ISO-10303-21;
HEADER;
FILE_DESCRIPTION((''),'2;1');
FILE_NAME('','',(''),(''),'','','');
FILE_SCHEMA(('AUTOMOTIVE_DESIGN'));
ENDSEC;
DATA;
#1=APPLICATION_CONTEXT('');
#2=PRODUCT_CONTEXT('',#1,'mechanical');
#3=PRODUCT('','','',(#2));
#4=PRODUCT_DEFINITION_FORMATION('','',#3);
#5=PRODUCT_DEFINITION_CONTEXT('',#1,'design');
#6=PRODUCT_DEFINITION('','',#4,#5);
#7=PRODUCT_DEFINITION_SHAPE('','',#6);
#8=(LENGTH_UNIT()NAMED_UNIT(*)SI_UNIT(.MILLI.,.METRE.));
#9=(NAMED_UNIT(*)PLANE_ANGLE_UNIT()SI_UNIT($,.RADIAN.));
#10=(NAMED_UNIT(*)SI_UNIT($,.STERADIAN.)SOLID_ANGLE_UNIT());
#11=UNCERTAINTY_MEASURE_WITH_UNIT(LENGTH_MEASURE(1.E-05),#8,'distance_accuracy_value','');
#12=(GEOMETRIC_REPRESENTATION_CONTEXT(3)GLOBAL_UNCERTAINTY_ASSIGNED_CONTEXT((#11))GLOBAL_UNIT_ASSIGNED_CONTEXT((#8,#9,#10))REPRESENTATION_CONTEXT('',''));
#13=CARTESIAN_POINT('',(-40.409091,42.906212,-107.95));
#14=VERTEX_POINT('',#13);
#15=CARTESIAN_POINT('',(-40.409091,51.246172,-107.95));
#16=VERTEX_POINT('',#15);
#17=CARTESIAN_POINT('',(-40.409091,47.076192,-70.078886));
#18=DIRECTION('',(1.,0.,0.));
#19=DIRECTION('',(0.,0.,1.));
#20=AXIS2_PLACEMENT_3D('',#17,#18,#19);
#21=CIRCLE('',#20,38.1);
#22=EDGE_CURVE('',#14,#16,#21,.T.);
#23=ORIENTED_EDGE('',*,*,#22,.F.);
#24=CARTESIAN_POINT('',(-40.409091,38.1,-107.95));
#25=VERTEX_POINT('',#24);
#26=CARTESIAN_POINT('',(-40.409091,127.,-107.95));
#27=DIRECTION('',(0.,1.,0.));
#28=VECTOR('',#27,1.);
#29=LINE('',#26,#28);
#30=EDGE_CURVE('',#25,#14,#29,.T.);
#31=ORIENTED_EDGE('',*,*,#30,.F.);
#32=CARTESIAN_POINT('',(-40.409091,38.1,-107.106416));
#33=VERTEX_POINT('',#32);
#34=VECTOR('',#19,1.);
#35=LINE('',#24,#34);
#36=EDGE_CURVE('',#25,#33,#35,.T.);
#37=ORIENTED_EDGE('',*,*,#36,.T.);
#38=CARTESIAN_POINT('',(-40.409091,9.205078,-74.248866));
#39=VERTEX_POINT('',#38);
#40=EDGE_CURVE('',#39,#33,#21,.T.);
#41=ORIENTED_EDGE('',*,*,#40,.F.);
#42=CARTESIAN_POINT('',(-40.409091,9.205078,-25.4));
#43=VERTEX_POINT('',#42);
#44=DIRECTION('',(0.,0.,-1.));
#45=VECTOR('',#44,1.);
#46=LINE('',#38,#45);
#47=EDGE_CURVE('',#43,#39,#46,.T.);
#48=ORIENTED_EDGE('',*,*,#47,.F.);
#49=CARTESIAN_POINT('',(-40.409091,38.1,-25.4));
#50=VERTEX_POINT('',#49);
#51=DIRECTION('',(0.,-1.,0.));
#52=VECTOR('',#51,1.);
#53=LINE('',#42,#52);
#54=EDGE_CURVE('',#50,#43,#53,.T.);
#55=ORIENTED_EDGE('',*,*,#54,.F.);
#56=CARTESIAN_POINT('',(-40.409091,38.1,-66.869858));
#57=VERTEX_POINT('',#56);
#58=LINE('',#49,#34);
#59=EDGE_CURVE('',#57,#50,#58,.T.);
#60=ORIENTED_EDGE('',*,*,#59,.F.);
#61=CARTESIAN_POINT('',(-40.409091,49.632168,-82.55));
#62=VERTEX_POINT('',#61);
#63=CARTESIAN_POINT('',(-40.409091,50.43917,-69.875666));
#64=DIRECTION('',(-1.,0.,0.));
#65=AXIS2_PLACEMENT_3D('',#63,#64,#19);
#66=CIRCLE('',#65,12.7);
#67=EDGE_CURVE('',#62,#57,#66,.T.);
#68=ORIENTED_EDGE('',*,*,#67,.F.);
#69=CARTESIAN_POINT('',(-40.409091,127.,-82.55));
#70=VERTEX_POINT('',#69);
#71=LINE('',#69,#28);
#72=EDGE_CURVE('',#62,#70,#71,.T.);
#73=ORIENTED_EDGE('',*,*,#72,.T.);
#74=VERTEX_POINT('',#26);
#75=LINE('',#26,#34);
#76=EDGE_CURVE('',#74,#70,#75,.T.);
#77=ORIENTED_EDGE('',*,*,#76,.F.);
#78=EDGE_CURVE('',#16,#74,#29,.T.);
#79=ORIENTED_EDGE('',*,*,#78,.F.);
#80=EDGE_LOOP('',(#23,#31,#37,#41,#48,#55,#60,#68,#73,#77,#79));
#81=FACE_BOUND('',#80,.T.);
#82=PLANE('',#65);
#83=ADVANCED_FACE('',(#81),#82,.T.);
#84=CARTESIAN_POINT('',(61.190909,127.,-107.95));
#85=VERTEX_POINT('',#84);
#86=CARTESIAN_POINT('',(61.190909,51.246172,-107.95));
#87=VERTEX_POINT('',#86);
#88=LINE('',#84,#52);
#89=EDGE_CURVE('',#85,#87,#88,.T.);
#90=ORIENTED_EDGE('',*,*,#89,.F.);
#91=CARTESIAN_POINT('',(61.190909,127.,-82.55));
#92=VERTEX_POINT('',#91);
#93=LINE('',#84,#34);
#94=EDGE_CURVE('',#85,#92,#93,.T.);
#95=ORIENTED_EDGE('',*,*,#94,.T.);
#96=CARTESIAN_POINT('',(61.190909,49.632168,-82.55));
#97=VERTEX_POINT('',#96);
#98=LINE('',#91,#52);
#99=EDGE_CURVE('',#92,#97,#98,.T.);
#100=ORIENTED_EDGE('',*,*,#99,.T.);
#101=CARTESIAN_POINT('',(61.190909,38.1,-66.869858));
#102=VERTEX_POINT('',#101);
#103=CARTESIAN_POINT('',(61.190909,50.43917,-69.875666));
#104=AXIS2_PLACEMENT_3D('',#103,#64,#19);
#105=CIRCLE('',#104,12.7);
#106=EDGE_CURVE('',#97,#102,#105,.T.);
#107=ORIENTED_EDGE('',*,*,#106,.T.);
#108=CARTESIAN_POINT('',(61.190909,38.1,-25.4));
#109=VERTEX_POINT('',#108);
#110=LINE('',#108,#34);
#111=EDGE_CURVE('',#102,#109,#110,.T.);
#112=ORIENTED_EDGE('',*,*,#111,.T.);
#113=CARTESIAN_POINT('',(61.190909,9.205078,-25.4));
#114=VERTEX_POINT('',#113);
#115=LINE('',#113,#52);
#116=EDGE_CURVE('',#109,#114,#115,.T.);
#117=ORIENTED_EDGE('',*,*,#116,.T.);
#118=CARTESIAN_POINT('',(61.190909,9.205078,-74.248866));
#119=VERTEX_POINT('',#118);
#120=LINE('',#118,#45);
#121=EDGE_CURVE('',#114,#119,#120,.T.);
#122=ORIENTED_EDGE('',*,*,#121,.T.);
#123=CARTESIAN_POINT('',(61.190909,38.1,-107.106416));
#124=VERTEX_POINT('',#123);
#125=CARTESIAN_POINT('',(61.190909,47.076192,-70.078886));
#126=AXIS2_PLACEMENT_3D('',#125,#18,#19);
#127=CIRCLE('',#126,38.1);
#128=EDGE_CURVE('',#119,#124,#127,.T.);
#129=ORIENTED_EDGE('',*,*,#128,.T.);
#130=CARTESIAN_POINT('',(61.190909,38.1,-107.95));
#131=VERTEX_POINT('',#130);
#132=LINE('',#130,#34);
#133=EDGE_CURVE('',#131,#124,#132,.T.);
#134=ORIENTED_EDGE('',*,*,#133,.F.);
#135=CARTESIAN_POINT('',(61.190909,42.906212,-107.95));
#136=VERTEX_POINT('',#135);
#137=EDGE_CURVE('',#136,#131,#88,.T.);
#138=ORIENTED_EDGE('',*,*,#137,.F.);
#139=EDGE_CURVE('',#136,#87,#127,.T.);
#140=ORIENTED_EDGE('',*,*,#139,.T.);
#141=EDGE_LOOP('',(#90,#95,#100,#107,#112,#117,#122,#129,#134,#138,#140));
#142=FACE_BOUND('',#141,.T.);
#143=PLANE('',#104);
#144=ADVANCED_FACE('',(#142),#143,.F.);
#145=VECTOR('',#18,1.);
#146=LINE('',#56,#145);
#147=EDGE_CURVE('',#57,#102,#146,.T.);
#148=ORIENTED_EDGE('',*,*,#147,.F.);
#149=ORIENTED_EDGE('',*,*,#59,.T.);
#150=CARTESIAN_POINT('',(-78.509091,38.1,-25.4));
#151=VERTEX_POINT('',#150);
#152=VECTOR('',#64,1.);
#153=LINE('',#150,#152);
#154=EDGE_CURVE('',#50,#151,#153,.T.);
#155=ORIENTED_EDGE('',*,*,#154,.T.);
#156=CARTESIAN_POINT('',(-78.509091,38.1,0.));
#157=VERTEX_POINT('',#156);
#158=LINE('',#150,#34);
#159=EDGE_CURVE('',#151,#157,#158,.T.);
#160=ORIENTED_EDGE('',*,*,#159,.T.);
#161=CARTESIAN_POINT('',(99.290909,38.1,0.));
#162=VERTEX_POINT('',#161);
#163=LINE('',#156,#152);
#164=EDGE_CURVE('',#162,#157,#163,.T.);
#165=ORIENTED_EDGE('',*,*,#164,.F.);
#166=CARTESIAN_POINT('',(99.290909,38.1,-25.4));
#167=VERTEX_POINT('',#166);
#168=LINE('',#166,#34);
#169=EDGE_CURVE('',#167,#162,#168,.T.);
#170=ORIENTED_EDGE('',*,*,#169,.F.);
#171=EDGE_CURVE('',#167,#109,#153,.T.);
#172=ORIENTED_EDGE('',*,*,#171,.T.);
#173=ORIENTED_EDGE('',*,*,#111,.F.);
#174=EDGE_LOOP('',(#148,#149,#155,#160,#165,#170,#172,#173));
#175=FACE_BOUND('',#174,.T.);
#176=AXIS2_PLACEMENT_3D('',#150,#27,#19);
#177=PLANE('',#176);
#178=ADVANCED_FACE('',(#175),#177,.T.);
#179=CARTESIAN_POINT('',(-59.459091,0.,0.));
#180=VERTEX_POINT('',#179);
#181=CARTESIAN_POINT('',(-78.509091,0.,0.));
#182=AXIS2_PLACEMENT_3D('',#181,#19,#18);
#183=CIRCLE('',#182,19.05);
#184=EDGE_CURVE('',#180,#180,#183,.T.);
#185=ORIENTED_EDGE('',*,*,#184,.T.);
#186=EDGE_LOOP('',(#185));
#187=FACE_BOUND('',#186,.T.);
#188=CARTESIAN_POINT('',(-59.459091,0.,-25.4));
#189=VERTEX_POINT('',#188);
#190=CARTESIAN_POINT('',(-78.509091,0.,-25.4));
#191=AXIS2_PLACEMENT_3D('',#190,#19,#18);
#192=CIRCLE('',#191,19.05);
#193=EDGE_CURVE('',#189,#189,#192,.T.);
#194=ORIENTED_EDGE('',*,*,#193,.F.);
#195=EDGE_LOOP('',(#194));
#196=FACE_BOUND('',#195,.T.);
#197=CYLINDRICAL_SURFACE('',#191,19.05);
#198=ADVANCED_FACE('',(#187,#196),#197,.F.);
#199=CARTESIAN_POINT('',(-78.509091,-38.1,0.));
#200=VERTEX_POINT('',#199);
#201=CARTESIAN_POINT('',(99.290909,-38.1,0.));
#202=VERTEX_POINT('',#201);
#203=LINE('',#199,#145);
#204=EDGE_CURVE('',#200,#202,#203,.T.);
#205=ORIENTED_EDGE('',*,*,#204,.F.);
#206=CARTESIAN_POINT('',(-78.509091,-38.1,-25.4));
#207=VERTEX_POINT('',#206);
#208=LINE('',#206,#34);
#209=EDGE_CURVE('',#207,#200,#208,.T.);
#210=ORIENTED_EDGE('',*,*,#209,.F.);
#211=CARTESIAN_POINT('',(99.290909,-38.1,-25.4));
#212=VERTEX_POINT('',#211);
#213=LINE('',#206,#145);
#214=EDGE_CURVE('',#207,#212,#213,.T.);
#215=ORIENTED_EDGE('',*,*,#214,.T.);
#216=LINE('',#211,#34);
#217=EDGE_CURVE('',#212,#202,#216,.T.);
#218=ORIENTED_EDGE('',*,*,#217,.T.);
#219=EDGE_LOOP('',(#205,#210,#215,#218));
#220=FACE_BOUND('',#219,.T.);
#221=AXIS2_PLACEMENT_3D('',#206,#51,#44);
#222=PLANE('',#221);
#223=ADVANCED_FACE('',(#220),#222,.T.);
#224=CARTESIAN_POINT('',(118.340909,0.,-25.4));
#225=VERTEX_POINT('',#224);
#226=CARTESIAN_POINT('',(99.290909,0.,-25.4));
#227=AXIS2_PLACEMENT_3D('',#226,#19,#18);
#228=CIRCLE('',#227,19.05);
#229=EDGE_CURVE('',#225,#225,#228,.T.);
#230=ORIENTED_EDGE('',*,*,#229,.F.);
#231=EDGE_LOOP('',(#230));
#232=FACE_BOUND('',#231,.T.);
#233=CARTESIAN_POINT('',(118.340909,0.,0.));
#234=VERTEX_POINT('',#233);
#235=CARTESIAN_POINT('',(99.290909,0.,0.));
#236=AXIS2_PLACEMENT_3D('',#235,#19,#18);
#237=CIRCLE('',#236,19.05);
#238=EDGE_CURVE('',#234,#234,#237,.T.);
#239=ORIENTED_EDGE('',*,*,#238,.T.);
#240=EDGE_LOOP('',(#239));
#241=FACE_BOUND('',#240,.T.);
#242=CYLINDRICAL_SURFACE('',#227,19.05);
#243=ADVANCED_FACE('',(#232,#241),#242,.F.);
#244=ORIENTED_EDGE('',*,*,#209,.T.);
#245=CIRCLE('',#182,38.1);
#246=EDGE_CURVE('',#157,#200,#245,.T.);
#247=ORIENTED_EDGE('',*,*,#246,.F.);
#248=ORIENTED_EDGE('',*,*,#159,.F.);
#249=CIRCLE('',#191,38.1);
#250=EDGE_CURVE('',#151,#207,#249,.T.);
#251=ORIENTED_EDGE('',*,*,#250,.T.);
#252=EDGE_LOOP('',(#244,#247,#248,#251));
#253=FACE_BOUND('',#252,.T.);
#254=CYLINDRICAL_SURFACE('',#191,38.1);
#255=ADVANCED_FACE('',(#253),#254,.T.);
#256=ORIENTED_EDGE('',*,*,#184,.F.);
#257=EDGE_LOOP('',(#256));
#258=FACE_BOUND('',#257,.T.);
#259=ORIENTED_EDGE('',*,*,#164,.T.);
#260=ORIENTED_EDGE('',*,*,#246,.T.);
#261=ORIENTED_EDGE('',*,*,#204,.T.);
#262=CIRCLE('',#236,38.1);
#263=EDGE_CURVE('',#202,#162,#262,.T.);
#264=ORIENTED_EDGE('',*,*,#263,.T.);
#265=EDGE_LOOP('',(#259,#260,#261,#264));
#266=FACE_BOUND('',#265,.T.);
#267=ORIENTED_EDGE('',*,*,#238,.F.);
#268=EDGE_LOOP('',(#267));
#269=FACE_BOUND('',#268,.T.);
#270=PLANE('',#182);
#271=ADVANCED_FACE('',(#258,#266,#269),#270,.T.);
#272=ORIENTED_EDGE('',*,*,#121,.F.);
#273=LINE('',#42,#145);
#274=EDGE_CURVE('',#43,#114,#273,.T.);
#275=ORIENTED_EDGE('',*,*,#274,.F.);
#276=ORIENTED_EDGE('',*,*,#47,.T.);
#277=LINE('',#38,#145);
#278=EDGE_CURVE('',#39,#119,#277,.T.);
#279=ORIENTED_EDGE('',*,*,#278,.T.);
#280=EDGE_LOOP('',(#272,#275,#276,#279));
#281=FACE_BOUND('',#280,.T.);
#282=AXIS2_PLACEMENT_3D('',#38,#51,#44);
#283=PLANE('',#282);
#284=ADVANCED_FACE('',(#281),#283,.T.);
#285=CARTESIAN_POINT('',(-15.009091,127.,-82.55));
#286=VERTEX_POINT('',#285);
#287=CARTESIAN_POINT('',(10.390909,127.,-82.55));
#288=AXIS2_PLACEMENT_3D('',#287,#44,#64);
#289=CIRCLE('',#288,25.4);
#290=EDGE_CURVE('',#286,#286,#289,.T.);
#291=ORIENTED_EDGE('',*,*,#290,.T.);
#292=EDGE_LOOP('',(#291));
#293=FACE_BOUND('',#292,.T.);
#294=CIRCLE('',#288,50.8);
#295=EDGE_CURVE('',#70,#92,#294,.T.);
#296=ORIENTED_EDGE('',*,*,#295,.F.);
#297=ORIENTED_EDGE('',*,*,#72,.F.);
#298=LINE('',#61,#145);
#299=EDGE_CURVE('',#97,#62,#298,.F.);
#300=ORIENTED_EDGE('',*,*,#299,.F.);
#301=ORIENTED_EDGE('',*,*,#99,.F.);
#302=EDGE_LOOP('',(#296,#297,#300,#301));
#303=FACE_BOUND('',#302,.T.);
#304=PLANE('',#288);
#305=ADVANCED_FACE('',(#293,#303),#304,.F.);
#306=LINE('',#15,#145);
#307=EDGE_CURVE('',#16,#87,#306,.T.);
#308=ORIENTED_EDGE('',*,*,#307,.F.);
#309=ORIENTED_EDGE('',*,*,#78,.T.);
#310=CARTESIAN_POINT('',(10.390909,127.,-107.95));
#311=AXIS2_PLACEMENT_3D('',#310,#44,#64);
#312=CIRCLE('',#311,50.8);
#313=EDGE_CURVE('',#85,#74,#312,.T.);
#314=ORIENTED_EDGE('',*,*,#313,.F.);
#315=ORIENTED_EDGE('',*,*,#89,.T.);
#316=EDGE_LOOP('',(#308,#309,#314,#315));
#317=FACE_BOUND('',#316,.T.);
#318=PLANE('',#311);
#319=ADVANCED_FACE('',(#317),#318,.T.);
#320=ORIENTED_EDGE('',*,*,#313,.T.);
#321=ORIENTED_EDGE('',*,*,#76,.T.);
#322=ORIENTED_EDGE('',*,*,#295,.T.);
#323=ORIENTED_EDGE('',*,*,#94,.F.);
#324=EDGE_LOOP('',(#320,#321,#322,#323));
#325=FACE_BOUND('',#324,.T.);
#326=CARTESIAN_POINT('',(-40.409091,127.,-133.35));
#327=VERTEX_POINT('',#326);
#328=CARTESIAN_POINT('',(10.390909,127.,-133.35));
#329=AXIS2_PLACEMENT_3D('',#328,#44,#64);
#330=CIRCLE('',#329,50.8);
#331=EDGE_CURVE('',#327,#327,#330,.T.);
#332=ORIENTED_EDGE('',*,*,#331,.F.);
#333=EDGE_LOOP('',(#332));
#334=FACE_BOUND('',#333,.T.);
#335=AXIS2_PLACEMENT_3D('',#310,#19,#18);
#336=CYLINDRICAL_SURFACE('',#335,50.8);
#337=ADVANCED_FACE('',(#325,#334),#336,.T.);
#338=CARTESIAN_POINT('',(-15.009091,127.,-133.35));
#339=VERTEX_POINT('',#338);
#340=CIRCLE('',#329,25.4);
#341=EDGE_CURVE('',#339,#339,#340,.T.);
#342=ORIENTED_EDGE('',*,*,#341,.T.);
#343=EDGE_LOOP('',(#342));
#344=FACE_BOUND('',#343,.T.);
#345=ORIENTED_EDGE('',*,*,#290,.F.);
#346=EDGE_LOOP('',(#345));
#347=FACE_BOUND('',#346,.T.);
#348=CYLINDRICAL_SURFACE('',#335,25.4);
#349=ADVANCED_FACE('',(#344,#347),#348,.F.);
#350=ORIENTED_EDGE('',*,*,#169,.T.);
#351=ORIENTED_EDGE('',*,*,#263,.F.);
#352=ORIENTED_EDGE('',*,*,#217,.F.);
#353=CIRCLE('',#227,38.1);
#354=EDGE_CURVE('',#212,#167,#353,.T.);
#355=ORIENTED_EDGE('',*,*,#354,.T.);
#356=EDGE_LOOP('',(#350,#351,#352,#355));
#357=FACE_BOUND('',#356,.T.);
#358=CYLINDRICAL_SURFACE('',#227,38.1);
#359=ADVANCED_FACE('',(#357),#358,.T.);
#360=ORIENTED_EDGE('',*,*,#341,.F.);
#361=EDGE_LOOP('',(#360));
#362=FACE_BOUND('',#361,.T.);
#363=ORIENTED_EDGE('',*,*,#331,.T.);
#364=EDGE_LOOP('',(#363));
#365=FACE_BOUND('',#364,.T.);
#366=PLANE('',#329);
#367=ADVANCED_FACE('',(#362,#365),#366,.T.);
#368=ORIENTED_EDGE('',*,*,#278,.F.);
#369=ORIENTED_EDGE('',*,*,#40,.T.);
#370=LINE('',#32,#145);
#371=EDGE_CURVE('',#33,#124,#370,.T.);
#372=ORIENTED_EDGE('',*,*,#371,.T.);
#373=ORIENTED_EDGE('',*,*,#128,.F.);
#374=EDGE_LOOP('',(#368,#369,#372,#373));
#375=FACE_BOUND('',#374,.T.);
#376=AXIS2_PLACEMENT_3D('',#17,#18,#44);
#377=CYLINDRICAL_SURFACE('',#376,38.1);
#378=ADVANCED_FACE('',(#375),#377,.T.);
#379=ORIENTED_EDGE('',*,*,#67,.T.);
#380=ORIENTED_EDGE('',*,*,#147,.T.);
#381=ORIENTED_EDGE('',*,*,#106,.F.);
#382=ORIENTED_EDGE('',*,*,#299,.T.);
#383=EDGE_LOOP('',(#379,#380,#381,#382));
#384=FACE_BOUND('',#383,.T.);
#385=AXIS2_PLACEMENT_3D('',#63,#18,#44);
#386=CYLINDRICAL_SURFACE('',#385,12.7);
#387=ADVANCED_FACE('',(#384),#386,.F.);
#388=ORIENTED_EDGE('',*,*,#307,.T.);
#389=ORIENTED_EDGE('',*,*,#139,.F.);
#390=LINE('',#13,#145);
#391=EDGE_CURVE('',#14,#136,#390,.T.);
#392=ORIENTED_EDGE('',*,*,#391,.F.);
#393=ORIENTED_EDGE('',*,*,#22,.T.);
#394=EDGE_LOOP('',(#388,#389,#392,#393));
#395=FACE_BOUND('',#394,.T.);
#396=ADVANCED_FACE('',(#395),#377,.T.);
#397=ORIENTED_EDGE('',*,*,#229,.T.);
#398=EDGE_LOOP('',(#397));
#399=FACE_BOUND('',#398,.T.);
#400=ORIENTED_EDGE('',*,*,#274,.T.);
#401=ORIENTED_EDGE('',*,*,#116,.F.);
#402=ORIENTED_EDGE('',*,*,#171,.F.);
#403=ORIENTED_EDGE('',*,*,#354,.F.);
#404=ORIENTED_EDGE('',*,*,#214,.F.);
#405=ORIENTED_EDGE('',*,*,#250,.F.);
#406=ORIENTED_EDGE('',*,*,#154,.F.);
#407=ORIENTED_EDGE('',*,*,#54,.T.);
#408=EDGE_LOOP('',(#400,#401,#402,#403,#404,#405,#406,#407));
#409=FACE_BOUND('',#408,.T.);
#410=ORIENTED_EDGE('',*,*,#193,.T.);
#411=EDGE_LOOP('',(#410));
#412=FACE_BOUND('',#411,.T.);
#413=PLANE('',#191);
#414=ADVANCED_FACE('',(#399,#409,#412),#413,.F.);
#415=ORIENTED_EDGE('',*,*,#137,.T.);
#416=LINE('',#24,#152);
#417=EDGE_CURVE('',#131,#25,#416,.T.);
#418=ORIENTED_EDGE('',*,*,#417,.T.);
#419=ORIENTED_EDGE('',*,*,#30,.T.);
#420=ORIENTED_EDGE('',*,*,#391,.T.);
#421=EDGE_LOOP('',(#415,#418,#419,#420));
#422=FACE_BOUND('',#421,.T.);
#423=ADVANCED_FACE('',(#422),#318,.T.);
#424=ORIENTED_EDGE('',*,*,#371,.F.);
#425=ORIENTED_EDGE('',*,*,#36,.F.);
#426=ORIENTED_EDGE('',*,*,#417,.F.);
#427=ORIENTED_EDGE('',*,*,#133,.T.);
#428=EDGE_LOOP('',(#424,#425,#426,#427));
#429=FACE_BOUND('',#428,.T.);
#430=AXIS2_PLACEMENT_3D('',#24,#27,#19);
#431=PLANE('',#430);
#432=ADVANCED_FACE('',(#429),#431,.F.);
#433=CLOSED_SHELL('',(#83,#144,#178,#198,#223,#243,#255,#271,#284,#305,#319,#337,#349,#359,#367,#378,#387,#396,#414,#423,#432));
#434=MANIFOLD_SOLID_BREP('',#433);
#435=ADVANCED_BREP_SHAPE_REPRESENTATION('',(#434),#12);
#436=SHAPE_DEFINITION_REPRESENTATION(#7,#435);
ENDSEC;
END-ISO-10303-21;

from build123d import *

# Parameters (mm, degrees)
SKETCH1_R           = 19.05
BOSS_EXTRUDE1_DEPTH = 25.4
SKETCH3_R           = 25.4
BOSS_EXTRUDE2_DEPTH = 25.4
SKETCH4_R           = 50.8
SKETCH4_R_2         = 25.4
BOSS_EXTRUDE3_DEPTH = 25.4
BOSS_EXTRUDE4_DEPTH = 101.6


with BuildPart() as part:
    # Sketch1 → Boss-Extrude1 (new body)
    with BuildSketch(Plane.XY):
        with BuildLine():
            Line((-78.509090909, 38.1), (99.290909091, 38.1))
            ThreePointArc((99.290909091, 38.1), (137.390909091, 0), (99.290909091, -38.1))
            Line((99.290909091, -38.1), (-78.509090909, -38.1))
            ThreePointArc((-78.509090909, -38.1), (-116.609090909, 0), (-78.509090909, 38.1))
        make_face()
        with Locations((-78.509090909, 0)):
            Circle(SKETCH1_R, mode=Mode.SUBTRACT)
        with Locations((99.290909091, 0)):
            Circle(SKETCH1_R, mode=Mode.SUBTRACT)
    extrude(amount=-BOSS_EXTRUDE1_DEPTH)



with BuildPart() as body_2:
    # Sketch3 → Boss-Extrude2 (new body)
    with BuildSketch(Plane(origin=(0, 0, -82.55), x_dir=(-1, 0, 0), z_dir=(0, 0, -1))):
        with BuildLine():
            Line((-61.190909091, 127), (-61.190909091, 38.1))
            Line((-61.190909091, 38.1), (40.409090909, 38.1))
            Line((40.409090909, 38.1), (40.409090909, 127))
            ThreePointArc((40.409090909, 127), (-10.390909091, 177.8), (-61.190909091, 127))
        make_face()
        with Locations((-10.390909091, 127)):
            Circle(SKETCH3_R, mode=Mode.SUBTRACT)
    extrude(amount=BOSS_EXTRUDE2_DEPTH)

    # Sketch4 → Boss-Extrude3 (add)
    with BuildSketch(Plane(origin=(0, 0, -107.95), x_dir=(-1, 0, 0), z_dir=(0, 0, -1))):
        with Locations((-10.390909091, 127)):
            Circle(SKETCH4_R)
        with Locations((-10.390909091, 127)):
            Circle(SKETCH4_R_2, mode=Mode.SUBTRACT)
    extrude(amount=BOSS_EXTRUDE3_DEPTH)


with BuildPart() as part_1:
    add(part.part)

    add(body_2.part)  # Boss-Extrude4 merges body 2
    # Sketch6 → Boss-Extrude4 (add)
    with BuildSketch(Plane(origin=(61.190909091, 0, 0), x_dir=(0, 0, -1), z_dir=(1, 0, 0))):
        with BuildLine():
            Line((25.4, 38.1), (66.869857518, 38.1))
            ThreePointArc((66.869857518, 38.1), (78.035050252, 40.707035383), (82.55, 51.246171546))
            Line((82.55, 51.246171546), (107.95, 51.246171546))
            ThreePointArc((107.95, 51.246171546), (99.806428385, 23.245891332), (74.248865658, 9.205078029))
            Line((74.248865658, 9.205078029), (25.4, 9.205078029))
            Line((25.4, 9.205078029), (25.4, 38.1))
        make_face()
    extrude(amount=-BOSS_EXTRUDE4_DEPTH)


solid = part_1.part
